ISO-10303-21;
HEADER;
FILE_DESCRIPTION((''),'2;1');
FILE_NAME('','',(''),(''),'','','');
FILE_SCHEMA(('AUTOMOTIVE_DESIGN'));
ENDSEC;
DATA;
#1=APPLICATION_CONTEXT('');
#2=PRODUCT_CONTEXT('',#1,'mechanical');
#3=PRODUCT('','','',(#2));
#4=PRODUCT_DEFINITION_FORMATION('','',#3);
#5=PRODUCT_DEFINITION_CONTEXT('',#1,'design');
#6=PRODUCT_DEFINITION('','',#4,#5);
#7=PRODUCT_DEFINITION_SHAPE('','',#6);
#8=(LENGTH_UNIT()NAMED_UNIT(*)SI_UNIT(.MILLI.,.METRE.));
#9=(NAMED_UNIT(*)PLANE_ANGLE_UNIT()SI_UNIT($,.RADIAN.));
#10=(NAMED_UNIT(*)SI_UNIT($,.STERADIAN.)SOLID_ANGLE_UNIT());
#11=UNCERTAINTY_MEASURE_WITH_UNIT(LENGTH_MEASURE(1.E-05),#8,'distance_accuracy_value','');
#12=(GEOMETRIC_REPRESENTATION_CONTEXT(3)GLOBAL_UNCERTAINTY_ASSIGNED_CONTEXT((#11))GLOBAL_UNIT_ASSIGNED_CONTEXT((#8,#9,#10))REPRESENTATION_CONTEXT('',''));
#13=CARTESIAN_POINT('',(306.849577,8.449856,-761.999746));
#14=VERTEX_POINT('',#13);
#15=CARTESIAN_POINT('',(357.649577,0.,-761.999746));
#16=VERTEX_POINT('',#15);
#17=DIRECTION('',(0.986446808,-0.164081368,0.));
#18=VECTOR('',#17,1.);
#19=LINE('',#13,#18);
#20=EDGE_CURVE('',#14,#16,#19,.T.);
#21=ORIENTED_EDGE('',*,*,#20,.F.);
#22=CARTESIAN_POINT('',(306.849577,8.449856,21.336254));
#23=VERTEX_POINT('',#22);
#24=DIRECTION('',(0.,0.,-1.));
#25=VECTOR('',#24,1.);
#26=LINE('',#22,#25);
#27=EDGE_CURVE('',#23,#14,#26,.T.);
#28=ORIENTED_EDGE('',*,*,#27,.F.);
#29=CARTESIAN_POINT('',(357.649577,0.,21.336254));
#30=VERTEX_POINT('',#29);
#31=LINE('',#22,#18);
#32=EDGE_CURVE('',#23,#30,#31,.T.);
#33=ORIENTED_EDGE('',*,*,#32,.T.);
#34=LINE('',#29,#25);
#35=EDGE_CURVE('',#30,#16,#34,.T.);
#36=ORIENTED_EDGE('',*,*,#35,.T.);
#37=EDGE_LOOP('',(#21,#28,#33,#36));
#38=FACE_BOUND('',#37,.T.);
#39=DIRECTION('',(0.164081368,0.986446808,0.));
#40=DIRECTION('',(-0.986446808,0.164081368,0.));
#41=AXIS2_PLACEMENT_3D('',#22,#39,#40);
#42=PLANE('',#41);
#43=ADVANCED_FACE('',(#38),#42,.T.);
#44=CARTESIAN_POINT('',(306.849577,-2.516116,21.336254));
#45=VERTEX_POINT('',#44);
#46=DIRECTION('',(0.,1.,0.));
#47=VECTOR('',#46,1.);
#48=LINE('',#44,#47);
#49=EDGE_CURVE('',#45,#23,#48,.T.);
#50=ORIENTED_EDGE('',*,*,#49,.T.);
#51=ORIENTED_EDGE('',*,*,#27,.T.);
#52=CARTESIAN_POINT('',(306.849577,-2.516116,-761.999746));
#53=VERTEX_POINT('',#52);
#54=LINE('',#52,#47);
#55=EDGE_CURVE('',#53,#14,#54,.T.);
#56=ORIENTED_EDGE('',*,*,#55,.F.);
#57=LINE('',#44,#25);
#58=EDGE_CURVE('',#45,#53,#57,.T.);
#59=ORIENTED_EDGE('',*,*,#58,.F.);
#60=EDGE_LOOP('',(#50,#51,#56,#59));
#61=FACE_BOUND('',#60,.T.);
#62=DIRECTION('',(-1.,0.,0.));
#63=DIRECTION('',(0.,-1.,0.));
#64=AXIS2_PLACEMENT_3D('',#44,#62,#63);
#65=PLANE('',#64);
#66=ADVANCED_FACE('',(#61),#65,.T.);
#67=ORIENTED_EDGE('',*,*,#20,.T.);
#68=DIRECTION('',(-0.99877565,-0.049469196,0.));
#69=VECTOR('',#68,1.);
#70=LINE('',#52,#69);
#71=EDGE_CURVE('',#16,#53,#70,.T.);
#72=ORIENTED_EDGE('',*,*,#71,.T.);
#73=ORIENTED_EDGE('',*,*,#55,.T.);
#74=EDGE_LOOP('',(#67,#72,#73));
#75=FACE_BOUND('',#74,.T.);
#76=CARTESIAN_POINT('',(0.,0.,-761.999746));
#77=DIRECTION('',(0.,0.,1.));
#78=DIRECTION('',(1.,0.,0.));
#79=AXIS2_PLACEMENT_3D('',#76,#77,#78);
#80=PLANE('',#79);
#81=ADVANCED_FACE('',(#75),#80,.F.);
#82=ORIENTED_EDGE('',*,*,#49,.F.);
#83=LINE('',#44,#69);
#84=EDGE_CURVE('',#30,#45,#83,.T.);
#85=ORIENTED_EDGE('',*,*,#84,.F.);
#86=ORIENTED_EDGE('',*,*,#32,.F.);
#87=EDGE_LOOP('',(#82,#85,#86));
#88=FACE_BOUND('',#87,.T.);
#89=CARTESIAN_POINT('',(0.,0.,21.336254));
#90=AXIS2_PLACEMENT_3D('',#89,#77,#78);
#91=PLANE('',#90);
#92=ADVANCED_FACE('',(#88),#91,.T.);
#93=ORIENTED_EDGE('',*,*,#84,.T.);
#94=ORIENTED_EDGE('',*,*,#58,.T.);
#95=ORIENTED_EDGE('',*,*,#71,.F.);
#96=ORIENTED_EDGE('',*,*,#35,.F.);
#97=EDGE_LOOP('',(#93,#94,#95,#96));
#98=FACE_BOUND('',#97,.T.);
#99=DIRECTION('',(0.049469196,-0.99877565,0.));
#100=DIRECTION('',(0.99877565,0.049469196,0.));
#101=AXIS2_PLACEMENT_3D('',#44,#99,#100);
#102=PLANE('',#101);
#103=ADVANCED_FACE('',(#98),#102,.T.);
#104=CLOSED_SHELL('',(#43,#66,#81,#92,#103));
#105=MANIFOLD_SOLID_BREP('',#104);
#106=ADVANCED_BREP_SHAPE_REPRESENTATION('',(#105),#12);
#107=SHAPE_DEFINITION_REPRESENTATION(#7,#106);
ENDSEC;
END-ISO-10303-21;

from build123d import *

# Parameters (mm, degrees)
BOSS_EXTRUDE2_DEPTH = 783.336


with BuildPart() as part:
    # Sketch2 → Boss-Extrude2 (new body)
    with BuildSketch(Plane(origin=(0, 0, -761.999746), x_dir=(-1, 0, 0), z_dir=(0, 0, -1))):
        Polygon((-306.8495768, -2.516115741), (-306.8495768, 8.449856001), (-357.6495768, 0), align=None)
    extrude(amount=-BOSS_EXTRUDE2_DEPTH)


solid = part.part
